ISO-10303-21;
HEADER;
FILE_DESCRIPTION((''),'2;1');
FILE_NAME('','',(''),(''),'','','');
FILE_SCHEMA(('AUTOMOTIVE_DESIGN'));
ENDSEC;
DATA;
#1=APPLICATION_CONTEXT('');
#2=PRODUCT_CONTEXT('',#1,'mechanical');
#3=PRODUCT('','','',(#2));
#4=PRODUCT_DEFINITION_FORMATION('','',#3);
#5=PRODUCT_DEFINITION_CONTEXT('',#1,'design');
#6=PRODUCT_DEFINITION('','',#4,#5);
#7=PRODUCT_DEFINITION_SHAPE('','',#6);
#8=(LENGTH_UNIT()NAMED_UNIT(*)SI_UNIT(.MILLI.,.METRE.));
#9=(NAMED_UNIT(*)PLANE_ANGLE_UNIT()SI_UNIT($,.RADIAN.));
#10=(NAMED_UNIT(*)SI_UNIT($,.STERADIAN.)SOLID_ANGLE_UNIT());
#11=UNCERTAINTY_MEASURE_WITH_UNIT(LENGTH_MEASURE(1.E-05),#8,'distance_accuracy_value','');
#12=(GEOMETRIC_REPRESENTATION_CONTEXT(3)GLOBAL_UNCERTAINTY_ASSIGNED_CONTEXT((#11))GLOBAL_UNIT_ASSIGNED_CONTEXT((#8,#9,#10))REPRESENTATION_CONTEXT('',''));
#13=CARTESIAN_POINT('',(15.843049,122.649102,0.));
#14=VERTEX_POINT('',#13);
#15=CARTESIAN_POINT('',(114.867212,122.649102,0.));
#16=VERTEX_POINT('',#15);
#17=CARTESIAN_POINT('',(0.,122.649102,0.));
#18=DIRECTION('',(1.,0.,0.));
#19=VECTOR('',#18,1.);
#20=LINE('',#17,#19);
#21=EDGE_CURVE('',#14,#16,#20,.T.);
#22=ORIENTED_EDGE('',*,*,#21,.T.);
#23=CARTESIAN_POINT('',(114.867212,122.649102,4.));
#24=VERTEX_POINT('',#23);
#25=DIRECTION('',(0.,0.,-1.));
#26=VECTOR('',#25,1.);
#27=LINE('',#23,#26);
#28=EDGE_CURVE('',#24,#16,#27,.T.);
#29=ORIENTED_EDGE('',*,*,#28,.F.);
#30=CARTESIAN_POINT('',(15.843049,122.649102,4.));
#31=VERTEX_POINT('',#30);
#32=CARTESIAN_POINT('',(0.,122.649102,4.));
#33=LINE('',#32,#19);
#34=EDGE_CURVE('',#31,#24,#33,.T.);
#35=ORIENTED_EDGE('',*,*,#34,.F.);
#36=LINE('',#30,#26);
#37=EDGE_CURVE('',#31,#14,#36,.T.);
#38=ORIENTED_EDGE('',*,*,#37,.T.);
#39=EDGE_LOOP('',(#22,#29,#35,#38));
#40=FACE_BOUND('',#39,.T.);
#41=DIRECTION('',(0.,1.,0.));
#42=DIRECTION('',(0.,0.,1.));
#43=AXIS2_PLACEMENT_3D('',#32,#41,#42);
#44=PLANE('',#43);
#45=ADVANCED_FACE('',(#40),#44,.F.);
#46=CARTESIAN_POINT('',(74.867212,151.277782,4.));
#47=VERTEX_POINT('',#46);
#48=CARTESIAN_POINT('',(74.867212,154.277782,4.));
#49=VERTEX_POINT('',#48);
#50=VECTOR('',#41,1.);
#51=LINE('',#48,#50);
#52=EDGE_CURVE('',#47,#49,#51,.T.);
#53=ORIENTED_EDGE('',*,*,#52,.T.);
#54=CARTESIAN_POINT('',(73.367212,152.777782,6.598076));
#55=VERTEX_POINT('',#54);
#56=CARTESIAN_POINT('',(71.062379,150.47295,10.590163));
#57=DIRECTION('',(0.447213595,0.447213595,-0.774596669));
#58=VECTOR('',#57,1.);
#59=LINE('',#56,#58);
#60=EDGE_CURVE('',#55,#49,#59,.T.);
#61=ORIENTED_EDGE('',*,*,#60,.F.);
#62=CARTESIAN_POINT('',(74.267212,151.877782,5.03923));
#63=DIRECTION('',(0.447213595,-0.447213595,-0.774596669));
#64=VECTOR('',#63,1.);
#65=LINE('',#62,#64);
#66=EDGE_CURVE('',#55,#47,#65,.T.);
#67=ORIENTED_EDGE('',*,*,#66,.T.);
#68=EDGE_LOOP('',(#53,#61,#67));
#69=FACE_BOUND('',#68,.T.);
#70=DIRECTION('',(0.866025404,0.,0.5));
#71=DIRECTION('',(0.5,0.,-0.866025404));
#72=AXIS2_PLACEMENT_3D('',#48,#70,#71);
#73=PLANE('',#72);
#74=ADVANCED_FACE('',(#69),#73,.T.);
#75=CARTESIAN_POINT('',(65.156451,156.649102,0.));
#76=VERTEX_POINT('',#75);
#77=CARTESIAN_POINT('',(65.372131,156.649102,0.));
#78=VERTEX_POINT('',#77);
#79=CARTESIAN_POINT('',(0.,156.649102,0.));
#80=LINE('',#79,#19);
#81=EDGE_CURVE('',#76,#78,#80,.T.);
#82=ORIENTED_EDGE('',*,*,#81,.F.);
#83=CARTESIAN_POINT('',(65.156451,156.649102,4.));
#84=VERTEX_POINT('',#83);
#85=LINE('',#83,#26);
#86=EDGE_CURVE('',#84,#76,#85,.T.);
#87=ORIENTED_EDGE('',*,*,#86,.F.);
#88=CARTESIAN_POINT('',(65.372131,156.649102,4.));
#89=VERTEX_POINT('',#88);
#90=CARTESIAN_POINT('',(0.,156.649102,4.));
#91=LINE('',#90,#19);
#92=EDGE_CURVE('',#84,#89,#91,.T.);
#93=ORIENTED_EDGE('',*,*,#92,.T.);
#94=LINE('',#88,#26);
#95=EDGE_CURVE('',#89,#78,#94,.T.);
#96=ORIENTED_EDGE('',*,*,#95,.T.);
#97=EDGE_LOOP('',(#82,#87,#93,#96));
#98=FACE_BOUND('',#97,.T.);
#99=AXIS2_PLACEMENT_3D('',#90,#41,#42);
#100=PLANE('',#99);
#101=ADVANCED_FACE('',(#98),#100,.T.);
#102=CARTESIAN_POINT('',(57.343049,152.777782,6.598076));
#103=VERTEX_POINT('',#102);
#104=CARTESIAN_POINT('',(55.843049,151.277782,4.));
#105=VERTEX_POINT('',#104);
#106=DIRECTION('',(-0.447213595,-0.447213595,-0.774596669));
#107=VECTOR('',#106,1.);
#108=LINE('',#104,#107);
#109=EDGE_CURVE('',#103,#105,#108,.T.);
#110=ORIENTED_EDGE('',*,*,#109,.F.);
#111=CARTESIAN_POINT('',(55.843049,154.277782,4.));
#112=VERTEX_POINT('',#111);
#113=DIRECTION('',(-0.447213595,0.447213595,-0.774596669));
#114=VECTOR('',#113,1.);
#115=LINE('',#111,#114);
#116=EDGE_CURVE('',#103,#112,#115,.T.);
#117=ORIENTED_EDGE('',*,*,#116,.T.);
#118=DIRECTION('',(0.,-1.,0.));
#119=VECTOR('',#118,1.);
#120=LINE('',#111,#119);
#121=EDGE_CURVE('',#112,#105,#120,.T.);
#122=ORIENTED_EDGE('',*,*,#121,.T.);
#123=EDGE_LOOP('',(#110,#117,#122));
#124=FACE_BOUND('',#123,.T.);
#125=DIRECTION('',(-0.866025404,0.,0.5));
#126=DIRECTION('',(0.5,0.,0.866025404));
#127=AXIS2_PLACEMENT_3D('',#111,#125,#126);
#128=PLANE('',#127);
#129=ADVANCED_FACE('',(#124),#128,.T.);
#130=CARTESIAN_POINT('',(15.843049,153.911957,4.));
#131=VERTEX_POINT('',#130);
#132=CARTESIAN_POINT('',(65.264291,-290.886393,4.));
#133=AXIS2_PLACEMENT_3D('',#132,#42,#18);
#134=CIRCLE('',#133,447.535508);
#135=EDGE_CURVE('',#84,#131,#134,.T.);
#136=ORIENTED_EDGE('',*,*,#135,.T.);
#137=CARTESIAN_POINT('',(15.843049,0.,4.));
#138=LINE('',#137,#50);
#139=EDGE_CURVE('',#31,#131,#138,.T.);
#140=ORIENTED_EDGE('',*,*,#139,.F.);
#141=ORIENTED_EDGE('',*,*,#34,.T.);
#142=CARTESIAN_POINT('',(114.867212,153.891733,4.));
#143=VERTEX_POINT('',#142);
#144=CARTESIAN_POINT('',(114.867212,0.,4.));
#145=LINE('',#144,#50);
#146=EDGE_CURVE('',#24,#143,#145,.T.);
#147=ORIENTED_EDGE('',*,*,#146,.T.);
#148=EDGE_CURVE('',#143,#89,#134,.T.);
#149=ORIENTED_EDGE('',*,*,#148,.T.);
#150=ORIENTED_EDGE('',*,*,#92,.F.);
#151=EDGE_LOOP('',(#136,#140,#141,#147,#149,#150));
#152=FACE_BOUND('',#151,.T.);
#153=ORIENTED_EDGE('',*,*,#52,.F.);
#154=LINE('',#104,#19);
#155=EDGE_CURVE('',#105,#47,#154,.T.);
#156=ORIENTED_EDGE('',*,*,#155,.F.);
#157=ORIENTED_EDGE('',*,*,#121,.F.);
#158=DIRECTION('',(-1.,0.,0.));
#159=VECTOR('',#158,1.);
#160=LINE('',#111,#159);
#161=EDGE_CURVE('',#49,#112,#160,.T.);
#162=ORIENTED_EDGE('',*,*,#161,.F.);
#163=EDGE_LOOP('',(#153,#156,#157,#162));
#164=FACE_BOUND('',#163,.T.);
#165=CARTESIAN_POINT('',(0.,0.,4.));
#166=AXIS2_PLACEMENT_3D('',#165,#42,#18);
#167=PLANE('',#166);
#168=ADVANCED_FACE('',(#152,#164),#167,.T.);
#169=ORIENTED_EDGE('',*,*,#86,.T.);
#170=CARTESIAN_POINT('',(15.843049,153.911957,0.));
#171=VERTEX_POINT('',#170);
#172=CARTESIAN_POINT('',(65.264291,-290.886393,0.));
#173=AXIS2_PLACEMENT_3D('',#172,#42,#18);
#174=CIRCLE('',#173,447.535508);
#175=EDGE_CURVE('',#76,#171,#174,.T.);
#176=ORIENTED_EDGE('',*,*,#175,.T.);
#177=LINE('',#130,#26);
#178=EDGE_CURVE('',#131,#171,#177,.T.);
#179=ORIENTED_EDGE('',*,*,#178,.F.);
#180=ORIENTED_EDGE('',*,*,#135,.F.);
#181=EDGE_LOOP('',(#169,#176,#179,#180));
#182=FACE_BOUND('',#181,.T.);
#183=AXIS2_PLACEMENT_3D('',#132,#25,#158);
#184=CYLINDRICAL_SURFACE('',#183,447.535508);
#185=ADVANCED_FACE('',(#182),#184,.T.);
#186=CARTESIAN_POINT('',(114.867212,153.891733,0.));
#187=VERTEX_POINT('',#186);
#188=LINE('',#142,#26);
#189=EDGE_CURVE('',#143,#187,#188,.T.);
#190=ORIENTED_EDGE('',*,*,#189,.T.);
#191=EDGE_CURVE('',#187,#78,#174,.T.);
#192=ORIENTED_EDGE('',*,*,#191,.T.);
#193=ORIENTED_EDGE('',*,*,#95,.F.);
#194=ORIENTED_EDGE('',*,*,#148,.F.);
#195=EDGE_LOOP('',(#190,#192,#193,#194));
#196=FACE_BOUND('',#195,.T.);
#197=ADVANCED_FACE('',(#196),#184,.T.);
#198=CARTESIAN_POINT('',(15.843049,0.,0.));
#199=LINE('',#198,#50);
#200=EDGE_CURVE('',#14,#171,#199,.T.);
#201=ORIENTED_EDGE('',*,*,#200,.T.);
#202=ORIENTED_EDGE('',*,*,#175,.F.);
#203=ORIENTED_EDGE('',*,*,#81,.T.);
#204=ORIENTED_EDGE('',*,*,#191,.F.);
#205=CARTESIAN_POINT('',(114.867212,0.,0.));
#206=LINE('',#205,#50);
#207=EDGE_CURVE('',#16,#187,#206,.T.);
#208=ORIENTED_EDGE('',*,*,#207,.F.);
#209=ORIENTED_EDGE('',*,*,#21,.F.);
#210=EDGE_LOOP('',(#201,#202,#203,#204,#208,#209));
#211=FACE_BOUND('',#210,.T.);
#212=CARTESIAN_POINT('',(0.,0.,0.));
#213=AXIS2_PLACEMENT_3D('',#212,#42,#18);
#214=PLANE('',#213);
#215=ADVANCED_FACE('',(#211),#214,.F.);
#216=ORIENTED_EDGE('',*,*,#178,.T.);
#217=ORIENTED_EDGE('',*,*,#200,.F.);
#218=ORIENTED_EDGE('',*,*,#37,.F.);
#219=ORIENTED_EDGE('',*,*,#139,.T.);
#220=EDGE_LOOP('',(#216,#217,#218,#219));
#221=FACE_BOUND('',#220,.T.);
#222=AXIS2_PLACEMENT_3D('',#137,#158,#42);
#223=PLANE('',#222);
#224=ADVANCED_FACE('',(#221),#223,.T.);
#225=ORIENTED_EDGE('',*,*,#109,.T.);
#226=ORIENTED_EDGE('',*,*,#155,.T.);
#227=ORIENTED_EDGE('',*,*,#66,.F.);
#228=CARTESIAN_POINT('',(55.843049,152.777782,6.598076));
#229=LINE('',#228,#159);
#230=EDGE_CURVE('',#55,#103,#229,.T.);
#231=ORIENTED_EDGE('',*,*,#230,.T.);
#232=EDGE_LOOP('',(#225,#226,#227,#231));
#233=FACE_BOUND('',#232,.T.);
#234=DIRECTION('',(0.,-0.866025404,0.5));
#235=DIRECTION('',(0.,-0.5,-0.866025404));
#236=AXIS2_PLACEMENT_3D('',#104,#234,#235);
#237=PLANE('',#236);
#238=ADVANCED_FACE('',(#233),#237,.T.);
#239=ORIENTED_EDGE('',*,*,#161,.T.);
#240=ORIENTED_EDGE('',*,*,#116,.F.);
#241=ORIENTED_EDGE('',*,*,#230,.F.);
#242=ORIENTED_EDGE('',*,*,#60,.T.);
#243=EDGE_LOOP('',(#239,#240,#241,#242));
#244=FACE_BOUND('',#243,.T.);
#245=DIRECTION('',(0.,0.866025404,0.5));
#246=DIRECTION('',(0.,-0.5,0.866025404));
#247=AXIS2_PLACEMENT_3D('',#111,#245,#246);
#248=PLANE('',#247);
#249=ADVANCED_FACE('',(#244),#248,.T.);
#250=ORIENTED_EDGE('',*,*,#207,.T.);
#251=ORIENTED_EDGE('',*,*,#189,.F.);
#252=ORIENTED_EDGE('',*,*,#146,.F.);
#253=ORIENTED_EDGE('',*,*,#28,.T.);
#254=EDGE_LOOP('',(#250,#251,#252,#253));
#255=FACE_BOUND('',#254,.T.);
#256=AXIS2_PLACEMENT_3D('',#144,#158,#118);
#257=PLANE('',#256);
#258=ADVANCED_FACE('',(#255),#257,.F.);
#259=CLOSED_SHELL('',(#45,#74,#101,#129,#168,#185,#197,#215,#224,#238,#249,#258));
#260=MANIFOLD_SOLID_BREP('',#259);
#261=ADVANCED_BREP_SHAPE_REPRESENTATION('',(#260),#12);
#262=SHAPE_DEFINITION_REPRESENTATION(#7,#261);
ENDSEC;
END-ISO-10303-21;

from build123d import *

# Parameters (mm, degrees)
BOSS_EXTRU_2_DEPTH = 4
ESQUISSE6_W        = 19.024162062
ESQUISSE6_H        = 3
BOSS_EXTRU_3_DEPTH = 3
BOSS_EXTRU_3_TAPER = 30


with BuildPart() as part:
    # Esquisse2 → Boss.-Extru.2 (new body)
    with BuildSketch(Plane.XY):
        with BuildLine():
            Line((15.843049481, 153.91195697), (15.843049481, 122.649102361))
            Line((15.843049481, 122.649102361), (114.867211543, 122.649102361))
            Line((114.867211543, 122.649102361), (114.867211543, 153.891733148))
            ThreePointArc((114.867211543, 153.891733148), (90.104041762, 155.959238078), (65.264290885, 156.649115353))
            ThreePointArc((65.264290885, 156.649115353), (40.515800335, 155.964301811), (15.843049481, 153.91195697))
        make_face()
    extrude(amount=BOSS_EXTRU_2_DEPTH)

    # Esquisse6 → Boss.-Extru.3 (add)
    with BuildSketch(Plane.XY.offset(4)):
        with Locations((65.355130512, 152.77778229)):
            Rectangle(ESQUISSE6_W, ESQUISSE6_H)
    extrude(amount=BOSS_EXTRU_3_DEPTH, taper=BOSS_EXTRU_3_TAPER)


solid = part.part
